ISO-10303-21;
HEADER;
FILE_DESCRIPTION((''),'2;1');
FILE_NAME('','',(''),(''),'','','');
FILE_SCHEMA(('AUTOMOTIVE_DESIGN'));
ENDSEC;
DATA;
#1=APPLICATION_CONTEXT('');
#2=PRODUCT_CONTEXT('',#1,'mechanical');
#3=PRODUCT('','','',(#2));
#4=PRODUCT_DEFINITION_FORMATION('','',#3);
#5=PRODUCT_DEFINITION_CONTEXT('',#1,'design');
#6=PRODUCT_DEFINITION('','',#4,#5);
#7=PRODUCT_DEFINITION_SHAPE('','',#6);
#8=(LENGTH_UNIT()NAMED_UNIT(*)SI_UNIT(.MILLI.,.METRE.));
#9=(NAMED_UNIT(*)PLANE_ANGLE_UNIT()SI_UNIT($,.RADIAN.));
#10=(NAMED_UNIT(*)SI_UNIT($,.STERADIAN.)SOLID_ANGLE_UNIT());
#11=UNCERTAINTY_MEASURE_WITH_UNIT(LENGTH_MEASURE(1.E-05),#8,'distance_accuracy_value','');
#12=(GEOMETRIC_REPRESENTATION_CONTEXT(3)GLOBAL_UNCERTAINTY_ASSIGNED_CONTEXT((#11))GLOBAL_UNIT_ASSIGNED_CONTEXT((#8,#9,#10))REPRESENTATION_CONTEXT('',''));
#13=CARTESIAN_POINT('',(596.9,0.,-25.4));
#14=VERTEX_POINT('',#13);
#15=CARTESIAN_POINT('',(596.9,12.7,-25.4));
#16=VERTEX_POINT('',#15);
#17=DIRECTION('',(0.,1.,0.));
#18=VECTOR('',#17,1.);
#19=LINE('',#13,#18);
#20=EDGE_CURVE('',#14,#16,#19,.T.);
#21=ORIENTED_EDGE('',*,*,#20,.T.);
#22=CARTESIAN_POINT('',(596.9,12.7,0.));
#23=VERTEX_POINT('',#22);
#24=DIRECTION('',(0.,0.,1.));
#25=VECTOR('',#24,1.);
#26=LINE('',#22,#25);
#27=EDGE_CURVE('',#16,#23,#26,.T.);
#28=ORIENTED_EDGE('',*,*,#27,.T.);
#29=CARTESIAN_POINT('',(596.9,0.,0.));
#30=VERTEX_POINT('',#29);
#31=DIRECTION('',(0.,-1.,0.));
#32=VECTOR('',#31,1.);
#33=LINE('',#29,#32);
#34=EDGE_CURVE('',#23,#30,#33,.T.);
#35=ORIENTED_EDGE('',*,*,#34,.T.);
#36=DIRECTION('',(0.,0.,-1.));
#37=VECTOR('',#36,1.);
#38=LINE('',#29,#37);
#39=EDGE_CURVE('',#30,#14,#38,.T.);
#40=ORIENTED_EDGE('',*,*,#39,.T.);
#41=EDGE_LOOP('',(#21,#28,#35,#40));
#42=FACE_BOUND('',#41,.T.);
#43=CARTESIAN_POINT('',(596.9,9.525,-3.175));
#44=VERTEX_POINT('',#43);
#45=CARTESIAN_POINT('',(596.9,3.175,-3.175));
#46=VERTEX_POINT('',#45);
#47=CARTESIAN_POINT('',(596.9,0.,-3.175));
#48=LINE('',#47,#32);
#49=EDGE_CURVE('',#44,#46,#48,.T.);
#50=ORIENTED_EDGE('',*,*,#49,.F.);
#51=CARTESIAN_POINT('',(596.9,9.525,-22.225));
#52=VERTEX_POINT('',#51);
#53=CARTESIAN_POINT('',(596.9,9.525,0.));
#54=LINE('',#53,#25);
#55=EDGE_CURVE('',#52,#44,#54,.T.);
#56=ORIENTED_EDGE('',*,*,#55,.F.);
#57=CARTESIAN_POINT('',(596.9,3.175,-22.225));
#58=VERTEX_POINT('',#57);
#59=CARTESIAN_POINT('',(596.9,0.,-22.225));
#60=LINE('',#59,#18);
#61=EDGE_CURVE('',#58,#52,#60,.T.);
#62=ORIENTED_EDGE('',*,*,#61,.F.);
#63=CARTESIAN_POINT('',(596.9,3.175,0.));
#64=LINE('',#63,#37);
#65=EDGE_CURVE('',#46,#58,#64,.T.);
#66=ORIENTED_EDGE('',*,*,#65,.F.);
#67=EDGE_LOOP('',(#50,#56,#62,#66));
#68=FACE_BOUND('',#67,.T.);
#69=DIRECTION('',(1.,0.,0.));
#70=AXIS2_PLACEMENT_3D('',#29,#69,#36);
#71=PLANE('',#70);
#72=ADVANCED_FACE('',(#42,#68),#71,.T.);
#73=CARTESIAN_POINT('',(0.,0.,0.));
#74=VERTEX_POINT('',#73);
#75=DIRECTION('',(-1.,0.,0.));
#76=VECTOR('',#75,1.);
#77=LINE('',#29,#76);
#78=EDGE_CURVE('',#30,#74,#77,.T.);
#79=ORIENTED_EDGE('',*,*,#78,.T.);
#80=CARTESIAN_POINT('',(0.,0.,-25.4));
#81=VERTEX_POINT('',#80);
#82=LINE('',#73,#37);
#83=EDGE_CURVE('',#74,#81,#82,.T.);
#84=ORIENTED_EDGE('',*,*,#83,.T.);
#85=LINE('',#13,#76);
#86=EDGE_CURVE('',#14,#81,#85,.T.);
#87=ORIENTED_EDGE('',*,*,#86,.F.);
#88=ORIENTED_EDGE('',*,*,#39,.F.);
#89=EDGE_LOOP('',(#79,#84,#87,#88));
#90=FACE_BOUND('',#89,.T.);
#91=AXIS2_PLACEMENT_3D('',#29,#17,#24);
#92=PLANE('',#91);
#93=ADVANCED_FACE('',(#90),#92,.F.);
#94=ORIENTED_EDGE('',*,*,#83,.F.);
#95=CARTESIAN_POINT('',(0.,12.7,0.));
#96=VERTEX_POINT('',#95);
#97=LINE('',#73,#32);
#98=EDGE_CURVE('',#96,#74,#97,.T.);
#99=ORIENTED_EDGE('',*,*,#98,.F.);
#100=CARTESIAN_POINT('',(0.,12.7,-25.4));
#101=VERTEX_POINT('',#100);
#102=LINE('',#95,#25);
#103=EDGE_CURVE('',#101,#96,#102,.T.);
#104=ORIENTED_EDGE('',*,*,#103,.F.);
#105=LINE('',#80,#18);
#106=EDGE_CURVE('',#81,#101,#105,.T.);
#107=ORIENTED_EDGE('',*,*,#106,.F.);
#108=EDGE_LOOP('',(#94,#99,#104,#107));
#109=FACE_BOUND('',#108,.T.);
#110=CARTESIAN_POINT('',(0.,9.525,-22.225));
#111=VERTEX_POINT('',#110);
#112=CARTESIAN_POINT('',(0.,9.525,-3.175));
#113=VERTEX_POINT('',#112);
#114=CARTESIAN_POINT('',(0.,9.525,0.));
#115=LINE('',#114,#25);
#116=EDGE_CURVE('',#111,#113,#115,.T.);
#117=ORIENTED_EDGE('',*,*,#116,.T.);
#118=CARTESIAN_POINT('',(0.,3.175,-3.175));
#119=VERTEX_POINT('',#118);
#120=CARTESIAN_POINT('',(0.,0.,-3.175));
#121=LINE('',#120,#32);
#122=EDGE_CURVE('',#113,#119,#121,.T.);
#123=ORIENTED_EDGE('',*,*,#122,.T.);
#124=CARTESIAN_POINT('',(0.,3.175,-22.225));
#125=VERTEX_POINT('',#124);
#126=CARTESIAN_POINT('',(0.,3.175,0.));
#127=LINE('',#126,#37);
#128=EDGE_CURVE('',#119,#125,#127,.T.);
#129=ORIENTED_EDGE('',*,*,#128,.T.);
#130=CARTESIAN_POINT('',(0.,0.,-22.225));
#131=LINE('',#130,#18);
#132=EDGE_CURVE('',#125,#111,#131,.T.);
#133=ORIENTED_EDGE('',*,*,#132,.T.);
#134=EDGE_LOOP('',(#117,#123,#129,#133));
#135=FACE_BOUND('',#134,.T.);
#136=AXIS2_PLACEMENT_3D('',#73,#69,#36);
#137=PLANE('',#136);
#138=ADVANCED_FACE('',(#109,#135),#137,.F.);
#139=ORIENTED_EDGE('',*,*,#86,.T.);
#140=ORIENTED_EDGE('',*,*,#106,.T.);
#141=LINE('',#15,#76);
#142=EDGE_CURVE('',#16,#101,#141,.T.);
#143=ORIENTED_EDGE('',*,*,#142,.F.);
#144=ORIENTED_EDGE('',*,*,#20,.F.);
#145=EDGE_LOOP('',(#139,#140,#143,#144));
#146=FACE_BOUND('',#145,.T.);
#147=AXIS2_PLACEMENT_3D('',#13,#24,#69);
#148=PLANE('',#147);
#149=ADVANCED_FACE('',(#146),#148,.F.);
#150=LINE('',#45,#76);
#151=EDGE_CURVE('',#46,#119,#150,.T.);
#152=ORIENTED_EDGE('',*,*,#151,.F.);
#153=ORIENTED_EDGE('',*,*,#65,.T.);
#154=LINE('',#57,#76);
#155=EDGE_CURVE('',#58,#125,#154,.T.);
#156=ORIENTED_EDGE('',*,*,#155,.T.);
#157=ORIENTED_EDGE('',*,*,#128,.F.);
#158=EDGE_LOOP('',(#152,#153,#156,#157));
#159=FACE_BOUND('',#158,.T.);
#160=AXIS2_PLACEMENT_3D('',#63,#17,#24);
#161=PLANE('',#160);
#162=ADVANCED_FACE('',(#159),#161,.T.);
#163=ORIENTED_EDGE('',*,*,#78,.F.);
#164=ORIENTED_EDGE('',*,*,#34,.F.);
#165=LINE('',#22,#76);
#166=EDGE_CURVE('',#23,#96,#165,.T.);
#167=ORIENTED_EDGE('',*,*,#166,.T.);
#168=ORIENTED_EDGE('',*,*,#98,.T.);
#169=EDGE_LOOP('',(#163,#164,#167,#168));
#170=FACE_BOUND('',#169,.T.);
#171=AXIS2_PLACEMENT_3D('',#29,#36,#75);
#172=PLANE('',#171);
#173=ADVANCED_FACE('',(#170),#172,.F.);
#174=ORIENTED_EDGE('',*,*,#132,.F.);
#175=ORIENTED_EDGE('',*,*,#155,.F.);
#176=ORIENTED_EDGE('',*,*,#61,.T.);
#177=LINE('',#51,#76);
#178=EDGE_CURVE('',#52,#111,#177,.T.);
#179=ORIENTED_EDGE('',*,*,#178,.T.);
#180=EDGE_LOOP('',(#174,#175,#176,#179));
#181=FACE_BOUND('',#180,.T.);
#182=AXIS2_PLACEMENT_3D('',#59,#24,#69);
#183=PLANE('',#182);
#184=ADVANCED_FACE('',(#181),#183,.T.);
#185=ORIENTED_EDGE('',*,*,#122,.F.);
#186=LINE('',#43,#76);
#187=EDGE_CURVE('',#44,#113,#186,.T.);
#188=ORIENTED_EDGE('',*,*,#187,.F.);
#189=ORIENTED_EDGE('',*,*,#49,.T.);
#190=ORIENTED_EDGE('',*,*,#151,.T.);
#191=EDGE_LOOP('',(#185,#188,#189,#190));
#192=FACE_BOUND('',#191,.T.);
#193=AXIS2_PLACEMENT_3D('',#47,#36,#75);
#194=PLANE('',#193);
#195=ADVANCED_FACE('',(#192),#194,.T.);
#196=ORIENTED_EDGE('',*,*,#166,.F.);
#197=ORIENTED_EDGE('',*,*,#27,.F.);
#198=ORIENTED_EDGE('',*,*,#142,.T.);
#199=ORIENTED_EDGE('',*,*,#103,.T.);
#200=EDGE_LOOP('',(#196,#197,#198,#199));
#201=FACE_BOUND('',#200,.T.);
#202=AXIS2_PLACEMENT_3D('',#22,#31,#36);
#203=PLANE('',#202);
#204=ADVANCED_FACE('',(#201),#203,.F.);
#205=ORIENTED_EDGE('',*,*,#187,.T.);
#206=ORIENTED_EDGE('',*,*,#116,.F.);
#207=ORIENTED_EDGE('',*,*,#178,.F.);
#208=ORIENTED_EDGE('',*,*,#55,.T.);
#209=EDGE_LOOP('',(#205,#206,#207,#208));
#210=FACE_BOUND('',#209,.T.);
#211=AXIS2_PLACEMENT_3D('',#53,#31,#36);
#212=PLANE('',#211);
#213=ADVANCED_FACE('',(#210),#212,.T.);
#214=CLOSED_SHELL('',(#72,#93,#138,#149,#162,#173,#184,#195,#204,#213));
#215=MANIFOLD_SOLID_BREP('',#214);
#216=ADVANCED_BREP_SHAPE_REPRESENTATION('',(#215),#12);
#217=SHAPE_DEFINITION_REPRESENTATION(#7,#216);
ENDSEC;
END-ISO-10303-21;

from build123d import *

# Parameters (mm, degrees)
SKETCH1_W           = 25.4
SKETCH1_H           = 12.7
SKETCH1_W_2         = 19.05
SKETCH1_H_2         = 6.35
EXTRUDE_THIN1_DEPTH = 596.9


with BuildPart() as part:
    # Sketch1 → Extrude-Thin1 (new body)
    with BuildSketch(Plane(origin=(0, 0, 0), x_dir=(0, 0, -1), z_dir=(1, 0, 0))):
        with Locations((12.7, 6.35)):
            Rectangle(SKETCH1_W, SKETCH1_H)
        with Locations((12.7, 6.35)):
            Rectangle(SKETCH1_W_2, SKETCH1_H_2, mode=Mode.SUBTRACT)
    extrude(amount=EXTRUDE_THIN1_DEPTH)


solid = part.part
